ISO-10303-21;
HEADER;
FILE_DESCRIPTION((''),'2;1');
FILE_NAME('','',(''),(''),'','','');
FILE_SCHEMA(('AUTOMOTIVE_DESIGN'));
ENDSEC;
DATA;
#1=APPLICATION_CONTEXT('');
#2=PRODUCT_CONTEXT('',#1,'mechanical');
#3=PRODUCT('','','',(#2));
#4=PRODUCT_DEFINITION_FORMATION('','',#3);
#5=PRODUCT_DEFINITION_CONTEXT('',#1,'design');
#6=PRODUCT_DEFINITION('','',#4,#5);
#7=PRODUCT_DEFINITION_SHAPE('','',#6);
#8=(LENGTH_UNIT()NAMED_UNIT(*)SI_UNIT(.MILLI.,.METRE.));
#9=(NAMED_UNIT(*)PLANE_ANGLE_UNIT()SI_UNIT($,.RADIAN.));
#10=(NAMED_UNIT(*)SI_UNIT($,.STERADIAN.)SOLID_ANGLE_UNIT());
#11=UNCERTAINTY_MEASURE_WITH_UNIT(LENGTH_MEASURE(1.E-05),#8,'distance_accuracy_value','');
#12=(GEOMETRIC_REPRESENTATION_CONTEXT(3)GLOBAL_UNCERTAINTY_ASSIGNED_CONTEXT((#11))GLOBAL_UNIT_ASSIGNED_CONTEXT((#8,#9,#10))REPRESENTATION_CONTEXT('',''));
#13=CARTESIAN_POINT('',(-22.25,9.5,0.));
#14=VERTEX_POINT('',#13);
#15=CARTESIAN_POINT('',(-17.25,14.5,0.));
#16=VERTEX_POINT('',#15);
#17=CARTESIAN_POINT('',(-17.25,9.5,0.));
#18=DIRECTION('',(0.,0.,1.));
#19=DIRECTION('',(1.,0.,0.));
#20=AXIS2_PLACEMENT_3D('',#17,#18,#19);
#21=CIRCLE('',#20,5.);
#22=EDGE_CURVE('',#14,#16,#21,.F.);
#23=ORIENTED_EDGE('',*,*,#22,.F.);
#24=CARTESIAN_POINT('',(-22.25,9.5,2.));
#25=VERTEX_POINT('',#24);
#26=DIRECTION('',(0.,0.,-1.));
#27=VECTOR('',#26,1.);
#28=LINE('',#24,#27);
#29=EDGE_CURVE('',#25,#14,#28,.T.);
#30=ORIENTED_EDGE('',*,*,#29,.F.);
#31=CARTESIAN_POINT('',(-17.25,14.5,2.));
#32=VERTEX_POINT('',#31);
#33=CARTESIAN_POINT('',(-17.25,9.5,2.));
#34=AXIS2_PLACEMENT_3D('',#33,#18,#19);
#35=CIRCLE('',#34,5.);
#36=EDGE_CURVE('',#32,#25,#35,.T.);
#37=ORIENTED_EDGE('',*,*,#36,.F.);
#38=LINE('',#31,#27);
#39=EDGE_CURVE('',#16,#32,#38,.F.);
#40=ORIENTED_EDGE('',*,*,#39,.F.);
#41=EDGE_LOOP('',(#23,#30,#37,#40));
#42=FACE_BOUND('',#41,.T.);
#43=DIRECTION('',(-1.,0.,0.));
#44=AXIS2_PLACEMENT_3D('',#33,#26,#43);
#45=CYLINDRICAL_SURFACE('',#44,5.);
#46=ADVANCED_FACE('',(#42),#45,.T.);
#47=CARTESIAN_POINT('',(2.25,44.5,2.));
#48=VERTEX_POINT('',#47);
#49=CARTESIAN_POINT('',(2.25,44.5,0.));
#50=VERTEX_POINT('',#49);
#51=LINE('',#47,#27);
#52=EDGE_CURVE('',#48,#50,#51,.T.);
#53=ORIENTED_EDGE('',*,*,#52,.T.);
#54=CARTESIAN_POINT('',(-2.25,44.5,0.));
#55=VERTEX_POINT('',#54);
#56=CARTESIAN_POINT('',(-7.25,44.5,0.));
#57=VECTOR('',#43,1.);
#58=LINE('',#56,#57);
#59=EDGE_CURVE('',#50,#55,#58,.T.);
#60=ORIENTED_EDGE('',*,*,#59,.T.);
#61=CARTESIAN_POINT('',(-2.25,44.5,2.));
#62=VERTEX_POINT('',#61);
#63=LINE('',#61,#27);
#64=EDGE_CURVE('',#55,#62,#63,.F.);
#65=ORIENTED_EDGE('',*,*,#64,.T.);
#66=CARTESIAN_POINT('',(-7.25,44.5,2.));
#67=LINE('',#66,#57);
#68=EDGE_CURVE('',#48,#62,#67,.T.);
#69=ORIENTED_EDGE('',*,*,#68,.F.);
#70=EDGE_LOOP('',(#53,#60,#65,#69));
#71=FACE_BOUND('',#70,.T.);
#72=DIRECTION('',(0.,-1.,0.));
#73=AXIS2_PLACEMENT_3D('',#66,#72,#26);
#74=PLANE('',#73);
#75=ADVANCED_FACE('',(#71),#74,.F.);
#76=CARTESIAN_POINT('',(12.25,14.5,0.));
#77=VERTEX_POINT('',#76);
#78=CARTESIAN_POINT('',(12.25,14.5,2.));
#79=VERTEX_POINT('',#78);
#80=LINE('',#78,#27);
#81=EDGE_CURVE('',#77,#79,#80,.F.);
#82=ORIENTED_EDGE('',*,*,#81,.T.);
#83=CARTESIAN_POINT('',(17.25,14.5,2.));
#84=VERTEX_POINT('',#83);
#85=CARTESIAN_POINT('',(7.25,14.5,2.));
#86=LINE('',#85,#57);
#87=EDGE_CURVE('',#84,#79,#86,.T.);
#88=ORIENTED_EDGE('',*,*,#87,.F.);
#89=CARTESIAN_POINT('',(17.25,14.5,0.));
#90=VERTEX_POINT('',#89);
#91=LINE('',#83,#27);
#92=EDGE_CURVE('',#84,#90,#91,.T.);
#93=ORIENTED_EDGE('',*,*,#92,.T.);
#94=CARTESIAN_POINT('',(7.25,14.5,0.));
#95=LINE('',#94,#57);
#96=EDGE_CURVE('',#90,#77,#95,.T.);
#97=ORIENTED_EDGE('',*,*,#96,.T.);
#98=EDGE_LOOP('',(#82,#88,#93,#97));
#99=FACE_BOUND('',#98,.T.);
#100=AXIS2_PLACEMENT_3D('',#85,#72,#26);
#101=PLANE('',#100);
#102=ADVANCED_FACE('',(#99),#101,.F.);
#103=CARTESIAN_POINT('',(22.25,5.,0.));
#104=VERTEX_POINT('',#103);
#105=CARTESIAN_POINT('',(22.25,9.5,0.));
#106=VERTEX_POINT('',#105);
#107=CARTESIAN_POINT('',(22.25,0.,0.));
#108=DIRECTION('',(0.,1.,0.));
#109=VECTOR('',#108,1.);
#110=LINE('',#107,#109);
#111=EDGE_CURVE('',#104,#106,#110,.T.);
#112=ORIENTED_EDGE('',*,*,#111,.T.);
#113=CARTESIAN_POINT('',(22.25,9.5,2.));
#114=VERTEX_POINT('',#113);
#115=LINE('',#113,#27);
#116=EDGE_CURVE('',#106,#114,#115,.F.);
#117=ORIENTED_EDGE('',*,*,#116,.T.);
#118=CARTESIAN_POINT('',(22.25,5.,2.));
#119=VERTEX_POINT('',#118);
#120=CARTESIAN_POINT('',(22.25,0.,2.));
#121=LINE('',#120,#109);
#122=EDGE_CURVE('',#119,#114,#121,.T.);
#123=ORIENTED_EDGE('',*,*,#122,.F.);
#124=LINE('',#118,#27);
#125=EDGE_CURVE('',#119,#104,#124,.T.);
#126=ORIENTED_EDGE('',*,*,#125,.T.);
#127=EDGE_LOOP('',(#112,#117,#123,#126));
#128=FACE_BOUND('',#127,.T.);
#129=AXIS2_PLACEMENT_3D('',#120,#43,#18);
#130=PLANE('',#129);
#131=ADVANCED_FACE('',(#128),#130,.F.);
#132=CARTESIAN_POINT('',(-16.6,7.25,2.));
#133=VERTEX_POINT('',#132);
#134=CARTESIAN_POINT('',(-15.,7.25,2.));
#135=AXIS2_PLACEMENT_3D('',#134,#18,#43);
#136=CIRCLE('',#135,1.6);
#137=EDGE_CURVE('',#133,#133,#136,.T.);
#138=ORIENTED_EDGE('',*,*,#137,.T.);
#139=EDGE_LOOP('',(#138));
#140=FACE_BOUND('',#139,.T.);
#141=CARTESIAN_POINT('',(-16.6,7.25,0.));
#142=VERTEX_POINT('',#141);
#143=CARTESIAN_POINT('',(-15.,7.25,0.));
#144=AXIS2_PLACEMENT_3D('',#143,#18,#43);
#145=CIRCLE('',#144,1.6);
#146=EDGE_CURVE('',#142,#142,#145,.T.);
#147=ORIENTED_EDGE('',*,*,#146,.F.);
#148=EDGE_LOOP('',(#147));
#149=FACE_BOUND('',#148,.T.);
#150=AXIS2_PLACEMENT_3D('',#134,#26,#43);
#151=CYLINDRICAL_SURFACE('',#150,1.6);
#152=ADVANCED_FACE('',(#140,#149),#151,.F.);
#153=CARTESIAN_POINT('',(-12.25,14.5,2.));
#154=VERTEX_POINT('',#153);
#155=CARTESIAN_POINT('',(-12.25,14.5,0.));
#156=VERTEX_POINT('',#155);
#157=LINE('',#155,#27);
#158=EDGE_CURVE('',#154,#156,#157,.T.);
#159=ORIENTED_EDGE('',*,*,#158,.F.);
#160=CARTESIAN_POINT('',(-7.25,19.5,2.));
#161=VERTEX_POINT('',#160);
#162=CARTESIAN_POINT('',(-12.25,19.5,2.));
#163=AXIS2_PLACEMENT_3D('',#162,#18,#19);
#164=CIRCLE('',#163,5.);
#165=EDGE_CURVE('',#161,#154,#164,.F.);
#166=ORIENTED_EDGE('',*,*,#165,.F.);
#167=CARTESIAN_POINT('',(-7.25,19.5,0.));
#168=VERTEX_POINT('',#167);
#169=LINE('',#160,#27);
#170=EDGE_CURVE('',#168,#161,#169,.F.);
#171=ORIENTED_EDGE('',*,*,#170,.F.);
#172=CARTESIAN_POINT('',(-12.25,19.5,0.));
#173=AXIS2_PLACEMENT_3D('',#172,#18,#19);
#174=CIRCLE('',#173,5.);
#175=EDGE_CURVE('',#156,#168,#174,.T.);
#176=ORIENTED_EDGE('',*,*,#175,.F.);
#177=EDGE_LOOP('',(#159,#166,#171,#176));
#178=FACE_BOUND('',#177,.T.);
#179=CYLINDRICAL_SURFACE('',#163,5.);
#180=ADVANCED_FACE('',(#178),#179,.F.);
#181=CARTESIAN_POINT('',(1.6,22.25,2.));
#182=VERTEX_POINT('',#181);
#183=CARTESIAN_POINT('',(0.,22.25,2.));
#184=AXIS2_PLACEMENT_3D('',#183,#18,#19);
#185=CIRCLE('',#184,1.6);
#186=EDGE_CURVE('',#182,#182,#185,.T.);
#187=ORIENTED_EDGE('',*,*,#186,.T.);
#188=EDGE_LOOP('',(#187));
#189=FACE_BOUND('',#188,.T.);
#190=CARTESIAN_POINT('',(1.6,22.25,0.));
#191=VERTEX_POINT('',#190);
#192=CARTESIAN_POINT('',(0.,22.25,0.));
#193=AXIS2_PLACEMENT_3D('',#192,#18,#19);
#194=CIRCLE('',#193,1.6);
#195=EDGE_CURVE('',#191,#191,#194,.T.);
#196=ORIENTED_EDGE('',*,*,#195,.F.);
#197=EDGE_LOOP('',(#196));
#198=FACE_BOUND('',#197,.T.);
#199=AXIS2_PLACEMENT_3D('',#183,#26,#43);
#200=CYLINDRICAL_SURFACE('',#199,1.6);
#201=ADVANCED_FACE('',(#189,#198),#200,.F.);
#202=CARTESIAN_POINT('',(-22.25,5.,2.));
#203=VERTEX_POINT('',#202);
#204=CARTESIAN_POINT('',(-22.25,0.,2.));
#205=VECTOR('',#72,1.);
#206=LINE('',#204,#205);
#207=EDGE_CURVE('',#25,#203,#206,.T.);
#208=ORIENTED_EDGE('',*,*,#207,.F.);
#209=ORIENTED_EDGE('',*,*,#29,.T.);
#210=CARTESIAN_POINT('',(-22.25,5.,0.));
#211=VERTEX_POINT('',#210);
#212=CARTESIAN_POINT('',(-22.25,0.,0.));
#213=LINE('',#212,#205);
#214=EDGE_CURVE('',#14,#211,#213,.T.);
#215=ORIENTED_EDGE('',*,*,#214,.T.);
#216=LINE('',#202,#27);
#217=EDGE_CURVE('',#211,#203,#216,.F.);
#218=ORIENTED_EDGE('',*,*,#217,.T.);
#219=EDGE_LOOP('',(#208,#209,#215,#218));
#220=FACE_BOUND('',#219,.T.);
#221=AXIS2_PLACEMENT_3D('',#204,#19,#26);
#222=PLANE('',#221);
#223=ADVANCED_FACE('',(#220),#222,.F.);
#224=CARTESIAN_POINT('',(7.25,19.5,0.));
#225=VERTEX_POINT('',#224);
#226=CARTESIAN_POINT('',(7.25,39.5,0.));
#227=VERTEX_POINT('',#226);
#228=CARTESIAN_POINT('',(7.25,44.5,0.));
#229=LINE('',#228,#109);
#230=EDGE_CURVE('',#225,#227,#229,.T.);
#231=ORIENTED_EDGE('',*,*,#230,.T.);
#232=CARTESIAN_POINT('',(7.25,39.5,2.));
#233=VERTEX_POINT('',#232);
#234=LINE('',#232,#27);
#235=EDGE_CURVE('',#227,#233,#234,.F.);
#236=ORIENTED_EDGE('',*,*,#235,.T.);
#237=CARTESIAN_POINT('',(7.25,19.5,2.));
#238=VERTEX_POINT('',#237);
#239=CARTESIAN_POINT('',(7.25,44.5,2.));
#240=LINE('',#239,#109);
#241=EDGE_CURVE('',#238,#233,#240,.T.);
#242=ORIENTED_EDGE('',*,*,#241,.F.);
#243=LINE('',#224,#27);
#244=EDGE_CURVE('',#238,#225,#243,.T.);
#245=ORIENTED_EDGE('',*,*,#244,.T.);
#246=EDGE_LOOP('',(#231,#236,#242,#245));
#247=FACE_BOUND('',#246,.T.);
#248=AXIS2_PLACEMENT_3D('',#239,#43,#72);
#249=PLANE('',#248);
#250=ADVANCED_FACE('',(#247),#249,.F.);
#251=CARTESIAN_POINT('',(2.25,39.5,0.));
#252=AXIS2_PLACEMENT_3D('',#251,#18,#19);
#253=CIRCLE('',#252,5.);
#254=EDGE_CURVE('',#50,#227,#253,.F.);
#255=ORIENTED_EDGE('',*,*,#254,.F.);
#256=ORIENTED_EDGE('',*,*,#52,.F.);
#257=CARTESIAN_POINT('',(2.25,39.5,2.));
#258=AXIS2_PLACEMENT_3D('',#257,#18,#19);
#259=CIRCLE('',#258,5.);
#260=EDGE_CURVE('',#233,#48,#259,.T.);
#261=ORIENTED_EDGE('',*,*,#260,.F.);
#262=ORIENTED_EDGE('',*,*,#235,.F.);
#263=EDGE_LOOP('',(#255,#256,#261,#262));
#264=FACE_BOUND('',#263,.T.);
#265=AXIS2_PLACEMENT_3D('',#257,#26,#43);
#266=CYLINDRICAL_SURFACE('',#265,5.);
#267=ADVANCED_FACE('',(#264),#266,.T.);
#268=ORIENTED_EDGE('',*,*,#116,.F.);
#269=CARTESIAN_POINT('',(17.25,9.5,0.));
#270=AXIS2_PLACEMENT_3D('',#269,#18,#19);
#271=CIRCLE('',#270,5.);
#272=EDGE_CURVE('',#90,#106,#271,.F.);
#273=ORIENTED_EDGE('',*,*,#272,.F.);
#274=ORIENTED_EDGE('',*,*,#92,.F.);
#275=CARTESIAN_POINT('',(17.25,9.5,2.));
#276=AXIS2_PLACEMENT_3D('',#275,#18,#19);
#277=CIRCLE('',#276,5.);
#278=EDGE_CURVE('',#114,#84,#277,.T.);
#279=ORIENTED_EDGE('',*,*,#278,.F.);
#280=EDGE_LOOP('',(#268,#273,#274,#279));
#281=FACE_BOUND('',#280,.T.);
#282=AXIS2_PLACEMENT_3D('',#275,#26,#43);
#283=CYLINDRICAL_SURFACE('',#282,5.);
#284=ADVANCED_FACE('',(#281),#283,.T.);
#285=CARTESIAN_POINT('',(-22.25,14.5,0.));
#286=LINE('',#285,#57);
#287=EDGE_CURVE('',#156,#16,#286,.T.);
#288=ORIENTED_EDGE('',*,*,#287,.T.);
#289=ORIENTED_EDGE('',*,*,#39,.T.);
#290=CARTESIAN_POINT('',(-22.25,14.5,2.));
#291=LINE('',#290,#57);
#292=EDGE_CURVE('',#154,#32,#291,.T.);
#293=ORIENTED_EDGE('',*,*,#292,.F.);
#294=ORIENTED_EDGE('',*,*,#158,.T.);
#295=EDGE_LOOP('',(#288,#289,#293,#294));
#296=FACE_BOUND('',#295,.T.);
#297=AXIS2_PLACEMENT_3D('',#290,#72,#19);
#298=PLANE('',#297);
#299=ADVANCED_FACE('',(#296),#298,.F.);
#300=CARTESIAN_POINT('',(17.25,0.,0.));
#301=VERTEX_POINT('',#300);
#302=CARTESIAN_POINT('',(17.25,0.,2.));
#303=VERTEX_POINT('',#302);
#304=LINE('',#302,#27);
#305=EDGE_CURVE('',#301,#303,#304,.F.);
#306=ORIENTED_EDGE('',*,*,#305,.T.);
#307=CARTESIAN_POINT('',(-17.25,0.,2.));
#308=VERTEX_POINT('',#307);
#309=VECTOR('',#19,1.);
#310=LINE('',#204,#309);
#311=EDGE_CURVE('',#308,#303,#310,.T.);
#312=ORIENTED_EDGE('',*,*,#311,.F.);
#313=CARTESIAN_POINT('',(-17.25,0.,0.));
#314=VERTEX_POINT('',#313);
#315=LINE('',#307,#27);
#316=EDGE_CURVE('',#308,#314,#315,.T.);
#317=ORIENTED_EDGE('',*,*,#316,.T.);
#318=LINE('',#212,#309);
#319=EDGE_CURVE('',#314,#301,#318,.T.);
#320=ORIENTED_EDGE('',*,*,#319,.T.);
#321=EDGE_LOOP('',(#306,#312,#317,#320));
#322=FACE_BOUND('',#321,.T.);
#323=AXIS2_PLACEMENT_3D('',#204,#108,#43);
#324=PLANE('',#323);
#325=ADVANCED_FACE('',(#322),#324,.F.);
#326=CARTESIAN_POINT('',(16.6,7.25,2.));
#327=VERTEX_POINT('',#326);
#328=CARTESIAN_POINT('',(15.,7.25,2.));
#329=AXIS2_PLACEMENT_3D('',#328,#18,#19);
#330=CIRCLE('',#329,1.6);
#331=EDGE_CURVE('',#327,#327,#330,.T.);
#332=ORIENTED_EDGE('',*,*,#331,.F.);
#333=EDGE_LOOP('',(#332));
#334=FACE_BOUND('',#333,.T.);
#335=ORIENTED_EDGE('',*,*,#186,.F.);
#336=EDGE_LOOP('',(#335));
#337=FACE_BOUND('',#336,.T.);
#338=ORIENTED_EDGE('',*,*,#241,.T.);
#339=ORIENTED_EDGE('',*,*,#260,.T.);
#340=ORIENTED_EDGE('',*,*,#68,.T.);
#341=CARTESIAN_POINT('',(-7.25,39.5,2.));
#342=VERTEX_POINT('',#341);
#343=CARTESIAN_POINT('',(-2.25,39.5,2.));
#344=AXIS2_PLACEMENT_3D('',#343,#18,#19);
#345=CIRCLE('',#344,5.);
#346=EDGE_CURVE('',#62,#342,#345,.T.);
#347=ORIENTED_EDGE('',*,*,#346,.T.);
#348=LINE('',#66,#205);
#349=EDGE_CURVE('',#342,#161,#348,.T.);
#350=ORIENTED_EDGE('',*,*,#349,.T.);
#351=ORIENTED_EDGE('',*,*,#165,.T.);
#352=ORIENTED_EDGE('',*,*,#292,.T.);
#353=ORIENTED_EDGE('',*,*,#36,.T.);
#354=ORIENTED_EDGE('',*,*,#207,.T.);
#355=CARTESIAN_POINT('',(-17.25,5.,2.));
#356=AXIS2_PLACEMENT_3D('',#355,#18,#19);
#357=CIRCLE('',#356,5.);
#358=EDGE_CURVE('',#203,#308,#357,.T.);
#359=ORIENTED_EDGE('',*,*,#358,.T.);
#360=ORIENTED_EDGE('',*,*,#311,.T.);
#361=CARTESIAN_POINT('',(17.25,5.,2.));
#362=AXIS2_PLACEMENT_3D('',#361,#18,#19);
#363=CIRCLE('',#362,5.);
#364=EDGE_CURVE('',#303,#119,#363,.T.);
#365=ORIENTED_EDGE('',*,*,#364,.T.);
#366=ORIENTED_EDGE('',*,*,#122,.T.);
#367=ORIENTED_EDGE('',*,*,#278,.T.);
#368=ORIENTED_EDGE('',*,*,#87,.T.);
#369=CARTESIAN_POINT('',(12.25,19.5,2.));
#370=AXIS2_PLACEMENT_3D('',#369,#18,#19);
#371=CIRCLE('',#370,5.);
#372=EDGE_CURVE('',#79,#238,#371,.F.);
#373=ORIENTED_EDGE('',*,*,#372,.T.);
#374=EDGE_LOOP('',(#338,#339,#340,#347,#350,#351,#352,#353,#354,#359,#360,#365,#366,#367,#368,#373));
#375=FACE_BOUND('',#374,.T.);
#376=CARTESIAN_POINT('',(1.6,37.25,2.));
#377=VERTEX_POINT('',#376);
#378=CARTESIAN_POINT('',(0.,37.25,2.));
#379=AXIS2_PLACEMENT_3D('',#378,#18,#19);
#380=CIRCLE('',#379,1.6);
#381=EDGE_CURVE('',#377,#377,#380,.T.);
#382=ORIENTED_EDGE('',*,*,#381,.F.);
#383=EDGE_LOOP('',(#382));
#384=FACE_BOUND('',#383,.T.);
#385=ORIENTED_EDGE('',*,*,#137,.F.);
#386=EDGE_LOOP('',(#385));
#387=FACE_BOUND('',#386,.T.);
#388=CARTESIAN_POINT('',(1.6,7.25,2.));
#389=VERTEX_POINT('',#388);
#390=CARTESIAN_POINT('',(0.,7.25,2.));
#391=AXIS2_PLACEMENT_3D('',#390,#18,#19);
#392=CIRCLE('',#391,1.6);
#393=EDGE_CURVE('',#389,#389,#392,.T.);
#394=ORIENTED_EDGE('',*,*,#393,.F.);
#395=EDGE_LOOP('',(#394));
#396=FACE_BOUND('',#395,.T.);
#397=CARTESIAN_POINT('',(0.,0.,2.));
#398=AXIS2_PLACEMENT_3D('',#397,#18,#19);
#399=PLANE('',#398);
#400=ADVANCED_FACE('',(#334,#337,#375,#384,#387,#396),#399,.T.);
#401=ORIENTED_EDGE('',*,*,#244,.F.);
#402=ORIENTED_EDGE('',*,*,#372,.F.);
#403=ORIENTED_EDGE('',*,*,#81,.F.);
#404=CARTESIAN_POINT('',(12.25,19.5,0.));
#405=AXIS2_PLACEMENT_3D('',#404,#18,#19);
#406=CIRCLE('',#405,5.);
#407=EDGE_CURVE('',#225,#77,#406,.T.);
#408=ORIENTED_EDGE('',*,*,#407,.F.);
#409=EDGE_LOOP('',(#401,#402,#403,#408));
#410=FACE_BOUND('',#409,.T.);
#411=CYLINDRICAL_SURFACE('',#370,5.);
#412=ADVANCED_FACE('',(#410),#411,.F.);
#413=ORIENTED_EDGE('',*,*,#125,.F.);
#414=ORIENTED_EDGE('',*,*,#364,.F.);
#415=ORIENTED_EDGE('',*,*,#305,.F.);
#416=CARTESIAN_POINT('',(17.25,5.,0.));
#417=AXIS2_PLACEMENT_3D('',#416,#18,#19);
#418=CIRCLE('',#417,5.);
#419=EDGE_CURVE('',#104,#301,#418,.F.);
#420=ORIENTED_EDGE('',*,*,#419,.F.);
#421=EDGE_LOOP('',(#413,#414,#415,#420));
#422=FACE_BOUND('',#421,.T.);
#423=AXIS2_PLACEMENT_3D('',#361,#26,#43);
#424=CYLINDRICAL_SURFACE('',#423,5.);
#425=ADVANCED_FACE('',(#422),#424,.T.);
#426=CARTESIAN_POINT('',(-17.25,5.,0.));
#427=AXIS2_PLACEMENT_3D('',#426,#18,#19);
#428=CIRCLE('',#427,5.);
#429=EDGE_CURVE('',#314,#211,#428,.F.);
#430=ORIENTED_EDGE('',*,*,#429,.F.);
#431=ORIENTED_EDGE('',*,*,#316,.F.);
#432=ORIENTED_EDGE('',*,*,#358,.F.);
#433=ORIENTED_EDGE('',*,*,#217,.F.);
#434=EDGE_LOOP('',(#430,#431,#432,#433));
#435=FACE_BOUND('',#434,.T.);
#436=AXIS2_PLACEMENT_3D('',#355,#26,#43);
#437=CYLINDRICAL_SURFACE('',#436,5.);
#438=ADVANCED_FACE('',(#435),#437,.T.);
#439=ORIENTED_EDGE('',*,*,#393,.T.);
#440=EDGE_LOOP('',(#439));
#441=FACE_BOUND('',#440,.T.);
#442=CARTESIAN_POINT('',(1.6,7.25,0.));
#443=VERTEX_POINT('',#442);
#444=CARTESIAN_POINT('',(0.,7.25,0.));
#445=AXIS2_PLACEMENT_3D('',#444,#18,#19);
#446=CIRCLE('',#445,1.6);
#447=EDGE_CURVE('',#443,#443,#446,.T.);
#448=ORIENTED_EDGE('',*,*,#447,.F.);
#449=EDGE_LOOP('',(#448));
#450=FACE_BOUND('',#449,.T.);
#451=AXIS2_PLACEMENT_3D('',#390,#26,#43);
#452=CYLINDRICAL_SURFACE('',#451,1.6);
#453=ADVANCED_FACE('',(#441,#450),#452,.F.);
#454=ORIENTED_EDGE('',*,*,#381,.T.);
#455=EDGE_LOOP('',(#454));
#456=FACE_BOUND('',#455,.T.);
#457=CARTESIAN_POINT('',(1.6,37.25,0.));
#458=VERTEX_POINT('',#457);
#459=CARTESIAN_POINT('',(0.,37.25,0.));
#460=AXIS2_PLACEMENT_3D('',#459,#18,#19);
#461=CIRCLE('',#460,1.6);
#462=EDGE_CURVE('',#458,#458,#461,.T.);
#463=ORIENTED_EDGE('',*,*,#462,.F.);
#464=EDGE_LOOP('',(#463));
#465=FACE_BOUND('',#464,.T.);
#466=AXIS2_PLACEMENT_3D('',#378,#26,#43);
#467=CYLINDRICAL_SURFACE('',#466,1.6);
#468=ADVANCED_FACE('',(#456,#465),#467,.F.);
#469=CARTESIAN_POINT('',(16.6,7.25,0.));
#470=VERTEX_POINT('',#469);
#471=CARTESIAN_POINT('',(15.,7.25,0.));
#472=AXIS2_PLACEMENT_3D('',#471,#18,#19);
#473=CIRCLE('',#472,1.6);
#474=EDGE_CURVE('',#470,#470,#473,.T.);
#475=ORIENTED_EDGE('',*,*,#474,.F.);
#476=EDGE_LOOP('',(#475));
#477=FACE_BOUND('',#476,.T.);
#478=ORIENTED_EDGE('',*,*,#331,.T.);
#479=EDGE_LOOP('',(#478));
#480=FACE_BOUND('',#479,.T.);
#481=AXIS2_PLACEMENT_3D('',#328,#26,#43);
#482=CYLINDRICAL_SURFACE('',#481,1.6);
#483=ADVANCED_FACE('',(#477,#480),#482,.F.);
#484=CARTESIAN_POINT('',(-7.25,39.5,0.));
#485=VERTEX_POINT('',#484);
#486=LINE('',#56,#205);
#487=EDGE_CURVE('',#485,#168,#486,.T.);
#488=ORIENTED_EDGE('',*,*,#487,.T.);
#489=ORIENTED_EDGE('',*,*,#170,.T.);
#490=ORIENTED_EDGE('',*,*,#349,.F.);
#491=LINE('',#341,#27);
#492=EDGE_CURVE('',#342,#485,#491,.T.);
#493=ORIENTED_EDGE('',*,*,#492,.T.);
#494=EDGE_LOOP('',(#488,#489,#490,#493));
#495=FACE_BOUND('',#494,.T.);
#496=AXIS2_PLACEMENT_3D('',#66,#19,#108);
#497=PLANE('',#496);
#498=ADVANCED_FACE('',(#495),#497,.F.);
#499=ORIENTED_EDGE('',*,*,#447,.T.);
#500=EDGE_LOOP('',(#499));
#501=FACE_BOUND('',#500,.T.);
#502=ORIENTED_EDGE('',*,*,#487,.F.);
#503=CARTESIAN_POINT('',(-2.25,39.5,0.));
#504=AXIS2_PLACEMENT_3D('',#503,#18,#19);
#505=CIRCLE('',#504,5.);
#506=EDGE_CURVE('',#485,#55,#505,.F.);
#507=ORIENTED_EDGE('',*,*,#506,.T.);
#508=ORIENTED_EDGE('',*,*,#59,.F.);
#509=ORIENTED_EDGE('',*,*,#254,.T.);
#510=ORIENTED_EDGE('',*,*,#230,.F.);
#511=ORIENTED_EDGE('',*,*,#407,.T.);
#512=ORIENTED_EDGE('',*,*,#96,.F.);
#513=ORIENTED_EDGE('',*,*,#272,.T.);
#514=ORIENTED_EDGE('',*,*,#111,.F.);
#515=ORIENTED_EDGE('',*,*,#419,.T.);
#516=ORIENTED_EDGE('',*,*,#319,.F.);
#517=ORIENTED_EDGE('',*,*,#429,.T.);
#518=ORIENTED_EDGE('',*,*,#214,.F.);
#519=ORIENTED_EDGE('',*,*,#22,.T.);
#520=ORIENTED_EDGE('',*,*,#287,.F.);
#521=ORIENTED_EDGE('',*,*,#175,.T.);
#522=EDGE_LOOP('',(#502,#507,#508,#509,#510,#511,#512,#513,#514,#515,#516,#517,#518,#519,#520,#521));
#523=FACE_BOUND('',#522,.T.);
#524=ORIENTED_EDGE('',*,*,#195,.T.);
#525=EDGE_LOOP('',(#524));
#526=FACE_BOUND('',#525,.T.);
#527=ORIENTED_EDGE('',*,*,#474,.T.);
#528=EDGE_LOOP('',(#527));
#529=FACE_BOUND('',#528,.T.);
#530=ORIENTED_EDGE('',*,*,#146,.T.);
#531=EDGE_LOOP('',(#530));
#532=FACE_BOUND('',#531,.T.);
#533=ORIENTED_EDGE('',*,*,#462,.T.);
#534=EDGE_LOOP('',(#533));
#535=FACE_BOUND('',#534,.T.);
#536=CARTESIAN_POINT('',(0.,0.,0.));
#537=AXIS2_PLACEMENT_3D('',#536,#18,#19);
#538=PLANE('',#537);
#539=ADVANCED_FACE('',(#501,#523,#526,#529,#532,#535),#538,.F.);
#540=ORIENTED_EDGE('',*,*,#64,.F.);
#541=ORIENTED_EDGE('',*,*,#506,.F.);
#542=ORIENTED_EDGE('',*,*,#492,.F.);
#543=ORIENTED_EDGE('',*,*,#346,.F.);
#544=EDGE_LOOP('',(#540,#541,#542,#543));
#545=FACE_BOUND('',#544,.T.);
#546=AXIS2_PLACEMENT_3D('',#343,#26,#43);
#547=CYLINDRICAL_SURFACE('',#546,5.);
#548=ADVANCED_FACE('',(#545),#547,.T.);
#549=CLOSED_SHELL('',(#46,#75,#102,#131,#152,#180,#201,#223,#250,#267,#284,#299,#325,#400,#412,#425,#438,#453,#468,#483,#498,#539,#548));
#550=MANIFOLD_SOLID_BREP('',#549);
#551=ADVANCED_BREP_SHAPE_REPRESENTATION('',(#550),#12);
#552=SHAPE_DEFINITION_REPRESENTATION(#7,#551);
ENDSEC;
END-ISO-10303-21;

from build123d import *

# Parameters (mm, degrees)
SKETCH1_R           = 1.6
BOSS_EXTRUDE1_DEPTH = 2
FILLET1_R           = 5


with BuildPart() as part:
    # Sketch1 → Boss-Extrude1 (new body)
    with BuildSketch(Plane.XY):
        Polygon((-22.25, 0), (22.25, 0), (22.25, 14.5), (7.25, 14.5), (7.25, 44.5), (-7.25, 44.5), (-7.25, 14.5), (-22.25, 14.5), align=None)
        with Locations((0, 7.25)):
            Circle(SKETCH1_R, mode=Mode.SUBTRACT)
        with Locations((15, 7.25)):
            Circle(SKETCH1_R, mode=Mode.SUBTRACT)
        with Locations((0, 22.25)):
            Circle(SKETCH1_R, mode=Mode.SUBTRACT)
        with Locations((0, 37.25)):
            Circle(SKETCH1_R, mode=Mode.SUBTRACT)
        with Locations((-15, 7.25)):
            Circle(SKETCH1_R, mode=Mode.SUBTRACT)
    extrude(amount=BOSS_EXTRUDE1_DEPTH)

    # Fillet1
    fillet1_edges = [part.edges().sort_by_distance(p)[0] for p in [
        (22.25, 14.5, 1),
        (22.25, 0, 1),
        (-22.25, 0, 1),
        (-22.25, 14.5, 1),
        (-7.25, 14.5, 1),
        (-7.25, 44.5, 1),
        (7.25, 44.5, 1),
        (7.25, 14.5, 1),
    ]]
    fillet(fillet1_edges, radius=FILLET1_R)


solid = part.part
